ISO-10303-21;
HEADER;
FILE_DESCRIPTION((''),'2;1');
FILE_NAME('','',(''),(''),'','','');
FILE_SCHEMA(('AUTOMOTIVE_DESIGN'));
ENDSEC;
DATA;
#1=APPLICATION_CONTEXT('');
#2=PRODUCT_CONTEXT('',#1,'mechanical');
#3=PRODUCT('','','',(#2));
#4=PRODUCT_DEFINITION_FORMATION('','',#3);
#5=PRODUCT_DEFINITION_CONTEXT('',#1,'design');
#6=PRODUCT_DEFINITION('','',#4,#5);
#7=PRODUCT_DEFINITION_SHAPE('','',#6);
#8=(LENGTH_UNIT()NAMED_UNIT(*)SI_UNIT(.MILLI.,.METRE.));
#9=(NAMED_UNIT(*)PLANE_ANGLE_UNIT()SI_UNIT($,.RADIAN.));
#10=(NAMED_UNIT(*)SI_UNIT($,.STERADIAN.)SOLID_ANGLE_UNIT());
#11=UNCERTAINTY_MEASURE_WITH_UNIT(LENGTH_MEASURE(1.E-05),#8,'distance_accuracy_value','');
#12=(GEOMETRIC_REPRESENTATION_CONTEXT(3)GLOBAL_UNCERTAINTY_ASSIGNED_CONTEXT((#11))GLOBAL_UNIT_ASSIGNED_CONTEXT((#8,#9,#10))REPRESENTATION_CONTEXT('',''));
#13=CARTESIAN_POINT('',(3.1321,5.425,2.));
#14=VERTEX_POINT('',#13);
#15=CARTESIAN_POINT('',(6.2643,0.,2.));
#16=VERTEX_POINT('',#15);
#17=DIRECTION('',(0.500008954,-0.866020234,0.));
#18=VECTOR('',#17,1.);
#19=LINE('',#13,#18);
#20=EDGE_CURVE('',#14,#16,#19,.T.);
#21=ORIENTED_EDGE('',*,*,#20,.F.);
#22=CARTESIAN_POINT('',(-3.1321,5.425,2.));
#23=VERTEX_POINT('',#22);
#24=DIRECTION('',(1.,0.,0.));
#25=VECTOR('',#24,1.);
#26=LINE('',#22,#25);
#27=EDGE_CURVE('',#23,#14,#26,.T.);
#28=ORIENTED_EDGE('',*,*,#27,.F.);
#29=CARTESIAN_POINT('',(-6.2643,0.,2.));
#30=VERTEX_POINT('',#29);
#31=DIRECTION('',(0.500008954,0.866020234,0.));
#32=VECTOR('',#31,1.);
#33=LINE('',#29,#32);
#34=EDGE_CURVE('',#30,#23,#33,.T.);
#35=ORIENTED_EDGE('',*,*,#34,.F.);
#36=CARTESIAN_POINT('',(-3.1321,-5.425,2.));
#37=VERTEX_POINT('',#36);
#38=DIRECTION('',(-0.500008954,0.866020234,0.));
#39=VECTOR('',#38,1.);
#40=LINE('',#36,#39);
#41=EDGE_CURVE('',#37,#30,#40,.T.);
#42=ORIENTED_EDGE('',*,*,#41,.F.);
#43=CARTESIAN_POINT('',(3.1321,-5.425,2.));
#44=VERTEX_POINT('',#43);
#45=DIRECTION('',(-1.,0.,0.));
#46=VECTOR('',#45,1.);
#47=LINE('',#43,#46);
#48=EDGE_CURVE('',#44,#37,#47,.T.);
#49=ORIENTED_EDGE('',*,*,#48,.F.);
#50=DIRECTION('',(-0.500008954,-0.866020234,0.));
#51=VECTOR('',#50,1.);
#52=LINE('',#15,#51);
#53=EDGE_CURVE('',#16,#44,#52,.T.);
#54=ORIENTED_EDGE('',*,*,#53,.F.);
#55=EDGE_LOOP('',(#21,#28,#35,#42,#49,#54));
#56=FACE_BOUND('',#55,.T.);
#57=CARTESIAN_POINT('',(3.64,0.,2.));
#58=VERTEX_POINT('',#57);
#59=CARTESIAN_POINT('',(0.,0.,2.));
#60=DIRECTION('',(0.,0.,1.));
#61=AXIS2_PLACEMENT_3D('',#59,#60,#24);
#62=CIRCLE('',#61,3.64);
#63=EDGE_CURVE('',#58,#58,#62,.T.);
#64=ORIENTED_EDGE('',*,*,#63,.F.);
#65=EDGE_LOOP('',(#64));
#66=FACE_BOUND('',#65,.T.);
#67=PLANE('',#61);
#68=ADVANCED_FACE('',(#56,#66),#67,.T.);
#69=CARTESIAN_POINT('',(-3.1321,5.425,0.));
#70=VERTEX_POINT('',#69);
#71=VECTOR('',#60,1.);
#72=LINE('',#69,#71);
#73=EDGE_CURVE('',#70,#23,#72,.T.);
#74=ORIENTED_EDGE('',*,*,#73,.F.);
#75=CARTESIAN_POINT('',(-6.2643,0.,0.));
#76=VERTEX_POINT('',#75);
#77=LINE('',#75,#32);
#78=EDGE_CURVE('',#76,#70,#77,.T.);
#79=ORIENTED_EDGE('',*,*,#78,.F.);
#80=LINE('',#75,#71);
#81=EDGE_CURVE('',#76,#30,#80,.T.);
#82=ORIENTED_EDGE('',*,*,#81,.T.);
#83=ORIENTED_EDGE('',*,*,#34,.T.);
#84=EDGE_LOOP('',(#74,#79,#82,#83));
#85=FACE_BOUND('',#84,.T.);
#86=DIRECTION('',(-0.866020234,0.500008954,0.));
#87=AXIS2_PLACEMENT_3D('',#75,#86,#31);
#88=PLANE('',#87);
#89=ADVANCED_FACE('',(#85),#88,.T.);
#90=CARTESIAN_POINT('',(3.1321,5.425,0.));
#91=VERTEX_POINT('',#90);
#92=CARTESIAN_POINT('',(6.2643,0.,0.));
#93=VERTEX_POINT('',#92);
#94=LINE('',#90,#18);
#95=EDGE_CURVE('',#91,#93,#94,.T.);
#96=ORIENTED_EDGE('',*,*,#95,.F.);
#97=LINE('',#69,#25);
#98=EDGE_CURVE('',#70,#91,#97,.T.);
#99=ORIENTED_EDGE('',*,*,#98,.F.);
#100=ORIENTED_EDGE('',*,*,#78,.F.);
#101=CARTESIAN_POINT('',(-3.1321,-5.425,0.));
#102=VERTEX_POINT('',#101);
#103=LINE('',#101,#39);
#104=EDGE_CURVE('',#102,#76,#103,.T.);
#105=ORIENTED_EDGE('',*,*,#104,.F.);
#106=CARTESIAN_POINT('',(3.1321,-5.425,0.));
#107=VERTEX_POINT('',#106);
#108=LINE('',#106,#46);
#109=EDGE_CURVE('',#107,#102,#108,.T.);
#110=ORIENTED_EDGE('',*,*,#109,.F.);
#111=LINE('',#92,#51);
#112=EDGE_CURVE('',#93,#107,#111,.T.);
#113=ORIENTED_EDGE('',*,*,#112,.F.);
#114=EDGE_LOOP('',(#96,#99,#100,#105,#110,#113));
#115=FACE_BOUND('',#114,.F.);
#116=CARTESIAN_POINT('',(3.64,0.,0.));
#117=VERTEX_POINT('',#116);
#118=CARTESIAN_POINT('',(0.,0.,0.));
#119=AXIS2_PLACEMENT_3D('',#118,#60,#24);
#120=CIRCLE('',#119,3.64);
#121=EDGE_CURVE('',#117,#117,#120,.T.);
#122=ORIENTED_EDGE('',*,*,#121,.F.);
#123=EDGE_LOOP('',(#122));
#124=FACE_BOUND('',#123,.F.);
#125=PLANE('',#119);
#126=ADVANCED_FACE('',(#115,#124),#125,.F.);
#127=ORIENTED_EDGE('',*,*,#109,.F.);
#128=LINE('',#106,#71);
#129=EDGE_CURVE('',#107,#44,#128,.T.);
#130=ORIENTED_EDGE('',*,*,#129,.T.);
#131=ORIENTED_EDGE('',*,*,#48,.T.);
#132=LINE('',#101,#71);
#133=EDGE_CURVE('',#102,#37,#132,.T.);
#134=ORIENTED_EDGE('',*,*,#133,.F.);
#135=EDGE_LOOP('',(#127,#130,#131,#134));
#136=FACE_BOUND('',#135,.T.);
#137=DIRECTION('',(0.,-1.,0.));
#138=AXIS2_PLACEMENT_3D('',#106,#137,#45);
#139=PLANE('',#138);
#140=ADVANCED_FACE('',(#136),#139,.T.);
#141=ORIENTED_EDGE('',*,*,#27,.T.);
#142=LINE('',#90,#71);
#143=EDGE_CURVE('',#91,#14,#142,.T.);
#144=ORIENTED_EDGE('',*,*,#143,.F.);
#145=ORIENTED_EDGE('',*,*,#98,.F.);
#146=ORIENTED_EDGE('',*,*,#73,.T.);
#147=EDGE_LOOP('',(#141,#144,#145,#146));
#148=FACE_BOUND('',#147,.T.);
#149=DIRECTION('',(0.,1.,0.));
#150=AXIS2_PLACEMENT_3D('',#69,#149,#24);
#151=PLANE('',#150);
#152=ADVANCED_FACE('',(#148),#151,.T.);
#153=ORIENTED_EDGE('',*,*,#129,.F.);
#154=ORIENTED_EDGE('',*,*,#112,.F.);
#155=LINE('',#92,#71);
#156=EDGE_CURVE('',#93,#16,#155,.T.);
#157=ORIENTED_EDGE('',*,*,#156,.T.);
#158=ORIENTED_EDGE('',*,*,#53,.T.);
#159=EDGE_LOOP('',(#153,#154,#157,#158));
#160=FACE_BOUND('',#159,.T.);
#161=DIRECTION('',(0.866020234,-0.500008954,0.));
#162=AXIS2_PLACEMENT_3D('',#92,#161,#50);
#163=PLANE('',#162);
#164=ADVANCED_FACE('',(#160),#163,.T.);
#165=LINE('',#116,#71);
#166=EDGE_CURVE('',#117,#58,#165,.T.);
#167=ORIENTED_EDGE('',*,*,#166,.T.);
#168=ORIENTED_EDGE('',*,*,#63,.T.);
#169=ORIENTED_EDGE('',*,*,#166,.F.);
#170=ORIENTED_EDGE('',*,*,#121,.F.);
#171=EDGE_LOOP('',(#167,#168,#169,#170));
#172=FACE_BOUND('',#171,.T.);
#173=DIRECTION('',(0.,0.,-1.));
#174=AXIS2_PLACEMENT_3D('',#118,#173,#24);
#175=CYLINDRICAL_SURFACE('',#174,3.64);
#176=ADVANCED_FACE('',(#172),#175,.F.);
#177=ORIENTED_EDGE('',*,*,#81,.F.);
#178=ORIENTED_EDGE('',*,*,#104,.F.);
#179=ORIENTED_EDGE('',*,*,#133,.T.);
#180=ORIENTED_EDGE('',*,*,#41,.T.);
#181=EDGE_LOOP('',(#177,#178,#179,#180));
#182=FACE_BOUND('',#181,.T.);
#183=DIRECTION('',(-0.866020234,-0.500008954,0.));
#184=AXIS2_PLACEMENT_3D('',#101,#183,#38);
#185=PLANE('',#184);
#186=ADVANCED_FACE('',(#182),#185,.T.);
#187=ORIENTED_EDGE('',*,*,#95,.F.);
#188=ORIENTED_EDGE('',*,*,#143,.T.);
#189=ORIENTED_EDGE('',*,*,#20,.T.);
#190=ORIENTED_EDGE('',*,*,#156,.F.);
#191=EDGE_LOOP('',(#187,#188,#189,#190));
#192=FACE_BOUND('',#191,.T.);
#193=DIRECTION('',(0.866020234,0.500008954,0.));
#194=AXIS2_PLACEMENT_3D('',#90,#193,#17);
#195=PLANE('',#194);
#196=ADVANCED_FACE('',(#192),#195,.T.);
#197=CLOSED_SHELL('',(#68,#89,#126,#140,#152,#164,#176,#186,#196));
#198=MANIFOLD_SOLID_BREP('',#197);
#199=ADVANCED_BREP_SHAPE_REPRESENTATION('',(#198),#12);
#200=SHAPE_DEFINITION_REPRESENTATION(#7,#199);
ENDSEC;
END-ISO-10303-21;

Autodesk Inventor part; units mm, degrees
ref_plane "YZ Plane" through (0, 0, 0) normal (1, 0, 0) x (0, 1, 0)
ref_plane "XZ Plane" through (0, 0, 0) normal (0, 1, 0) x (-1, 0, 0)
ref_plane "XY Plane" through (0, 0, 0) normal (0, 0, 1) x (1, 0, 0)
sketch "Sketch1" plane through (0, 0, 0) normal (0, 0, 1) x (1, 0, 0)
  line L0 (6.2643, 0) -> (3.1321, -5.425)
  line L1 (3.1321, -5.425) -> (-3.1321, -5.425)
  line L2 (-3.1321, -5.425) -> (-6.2643, 0)
  line L3 (-6.2643, 0) -> (-3.1321, 5.425)
  line L4 (-3.1321, 5.425) -> (3.1321, 5.425)
  line L5 (3.1321, 5.425) -> (6.2643, 0)
  circle A0 centre (0, 0) radius 3.64
  dimension "d0" = 10.85
  dimension "d1" = 7.28
extrude "Extrusion1" add sketch "Sketch1" along normal blind 2
properties part number "DC Jack Nut"
